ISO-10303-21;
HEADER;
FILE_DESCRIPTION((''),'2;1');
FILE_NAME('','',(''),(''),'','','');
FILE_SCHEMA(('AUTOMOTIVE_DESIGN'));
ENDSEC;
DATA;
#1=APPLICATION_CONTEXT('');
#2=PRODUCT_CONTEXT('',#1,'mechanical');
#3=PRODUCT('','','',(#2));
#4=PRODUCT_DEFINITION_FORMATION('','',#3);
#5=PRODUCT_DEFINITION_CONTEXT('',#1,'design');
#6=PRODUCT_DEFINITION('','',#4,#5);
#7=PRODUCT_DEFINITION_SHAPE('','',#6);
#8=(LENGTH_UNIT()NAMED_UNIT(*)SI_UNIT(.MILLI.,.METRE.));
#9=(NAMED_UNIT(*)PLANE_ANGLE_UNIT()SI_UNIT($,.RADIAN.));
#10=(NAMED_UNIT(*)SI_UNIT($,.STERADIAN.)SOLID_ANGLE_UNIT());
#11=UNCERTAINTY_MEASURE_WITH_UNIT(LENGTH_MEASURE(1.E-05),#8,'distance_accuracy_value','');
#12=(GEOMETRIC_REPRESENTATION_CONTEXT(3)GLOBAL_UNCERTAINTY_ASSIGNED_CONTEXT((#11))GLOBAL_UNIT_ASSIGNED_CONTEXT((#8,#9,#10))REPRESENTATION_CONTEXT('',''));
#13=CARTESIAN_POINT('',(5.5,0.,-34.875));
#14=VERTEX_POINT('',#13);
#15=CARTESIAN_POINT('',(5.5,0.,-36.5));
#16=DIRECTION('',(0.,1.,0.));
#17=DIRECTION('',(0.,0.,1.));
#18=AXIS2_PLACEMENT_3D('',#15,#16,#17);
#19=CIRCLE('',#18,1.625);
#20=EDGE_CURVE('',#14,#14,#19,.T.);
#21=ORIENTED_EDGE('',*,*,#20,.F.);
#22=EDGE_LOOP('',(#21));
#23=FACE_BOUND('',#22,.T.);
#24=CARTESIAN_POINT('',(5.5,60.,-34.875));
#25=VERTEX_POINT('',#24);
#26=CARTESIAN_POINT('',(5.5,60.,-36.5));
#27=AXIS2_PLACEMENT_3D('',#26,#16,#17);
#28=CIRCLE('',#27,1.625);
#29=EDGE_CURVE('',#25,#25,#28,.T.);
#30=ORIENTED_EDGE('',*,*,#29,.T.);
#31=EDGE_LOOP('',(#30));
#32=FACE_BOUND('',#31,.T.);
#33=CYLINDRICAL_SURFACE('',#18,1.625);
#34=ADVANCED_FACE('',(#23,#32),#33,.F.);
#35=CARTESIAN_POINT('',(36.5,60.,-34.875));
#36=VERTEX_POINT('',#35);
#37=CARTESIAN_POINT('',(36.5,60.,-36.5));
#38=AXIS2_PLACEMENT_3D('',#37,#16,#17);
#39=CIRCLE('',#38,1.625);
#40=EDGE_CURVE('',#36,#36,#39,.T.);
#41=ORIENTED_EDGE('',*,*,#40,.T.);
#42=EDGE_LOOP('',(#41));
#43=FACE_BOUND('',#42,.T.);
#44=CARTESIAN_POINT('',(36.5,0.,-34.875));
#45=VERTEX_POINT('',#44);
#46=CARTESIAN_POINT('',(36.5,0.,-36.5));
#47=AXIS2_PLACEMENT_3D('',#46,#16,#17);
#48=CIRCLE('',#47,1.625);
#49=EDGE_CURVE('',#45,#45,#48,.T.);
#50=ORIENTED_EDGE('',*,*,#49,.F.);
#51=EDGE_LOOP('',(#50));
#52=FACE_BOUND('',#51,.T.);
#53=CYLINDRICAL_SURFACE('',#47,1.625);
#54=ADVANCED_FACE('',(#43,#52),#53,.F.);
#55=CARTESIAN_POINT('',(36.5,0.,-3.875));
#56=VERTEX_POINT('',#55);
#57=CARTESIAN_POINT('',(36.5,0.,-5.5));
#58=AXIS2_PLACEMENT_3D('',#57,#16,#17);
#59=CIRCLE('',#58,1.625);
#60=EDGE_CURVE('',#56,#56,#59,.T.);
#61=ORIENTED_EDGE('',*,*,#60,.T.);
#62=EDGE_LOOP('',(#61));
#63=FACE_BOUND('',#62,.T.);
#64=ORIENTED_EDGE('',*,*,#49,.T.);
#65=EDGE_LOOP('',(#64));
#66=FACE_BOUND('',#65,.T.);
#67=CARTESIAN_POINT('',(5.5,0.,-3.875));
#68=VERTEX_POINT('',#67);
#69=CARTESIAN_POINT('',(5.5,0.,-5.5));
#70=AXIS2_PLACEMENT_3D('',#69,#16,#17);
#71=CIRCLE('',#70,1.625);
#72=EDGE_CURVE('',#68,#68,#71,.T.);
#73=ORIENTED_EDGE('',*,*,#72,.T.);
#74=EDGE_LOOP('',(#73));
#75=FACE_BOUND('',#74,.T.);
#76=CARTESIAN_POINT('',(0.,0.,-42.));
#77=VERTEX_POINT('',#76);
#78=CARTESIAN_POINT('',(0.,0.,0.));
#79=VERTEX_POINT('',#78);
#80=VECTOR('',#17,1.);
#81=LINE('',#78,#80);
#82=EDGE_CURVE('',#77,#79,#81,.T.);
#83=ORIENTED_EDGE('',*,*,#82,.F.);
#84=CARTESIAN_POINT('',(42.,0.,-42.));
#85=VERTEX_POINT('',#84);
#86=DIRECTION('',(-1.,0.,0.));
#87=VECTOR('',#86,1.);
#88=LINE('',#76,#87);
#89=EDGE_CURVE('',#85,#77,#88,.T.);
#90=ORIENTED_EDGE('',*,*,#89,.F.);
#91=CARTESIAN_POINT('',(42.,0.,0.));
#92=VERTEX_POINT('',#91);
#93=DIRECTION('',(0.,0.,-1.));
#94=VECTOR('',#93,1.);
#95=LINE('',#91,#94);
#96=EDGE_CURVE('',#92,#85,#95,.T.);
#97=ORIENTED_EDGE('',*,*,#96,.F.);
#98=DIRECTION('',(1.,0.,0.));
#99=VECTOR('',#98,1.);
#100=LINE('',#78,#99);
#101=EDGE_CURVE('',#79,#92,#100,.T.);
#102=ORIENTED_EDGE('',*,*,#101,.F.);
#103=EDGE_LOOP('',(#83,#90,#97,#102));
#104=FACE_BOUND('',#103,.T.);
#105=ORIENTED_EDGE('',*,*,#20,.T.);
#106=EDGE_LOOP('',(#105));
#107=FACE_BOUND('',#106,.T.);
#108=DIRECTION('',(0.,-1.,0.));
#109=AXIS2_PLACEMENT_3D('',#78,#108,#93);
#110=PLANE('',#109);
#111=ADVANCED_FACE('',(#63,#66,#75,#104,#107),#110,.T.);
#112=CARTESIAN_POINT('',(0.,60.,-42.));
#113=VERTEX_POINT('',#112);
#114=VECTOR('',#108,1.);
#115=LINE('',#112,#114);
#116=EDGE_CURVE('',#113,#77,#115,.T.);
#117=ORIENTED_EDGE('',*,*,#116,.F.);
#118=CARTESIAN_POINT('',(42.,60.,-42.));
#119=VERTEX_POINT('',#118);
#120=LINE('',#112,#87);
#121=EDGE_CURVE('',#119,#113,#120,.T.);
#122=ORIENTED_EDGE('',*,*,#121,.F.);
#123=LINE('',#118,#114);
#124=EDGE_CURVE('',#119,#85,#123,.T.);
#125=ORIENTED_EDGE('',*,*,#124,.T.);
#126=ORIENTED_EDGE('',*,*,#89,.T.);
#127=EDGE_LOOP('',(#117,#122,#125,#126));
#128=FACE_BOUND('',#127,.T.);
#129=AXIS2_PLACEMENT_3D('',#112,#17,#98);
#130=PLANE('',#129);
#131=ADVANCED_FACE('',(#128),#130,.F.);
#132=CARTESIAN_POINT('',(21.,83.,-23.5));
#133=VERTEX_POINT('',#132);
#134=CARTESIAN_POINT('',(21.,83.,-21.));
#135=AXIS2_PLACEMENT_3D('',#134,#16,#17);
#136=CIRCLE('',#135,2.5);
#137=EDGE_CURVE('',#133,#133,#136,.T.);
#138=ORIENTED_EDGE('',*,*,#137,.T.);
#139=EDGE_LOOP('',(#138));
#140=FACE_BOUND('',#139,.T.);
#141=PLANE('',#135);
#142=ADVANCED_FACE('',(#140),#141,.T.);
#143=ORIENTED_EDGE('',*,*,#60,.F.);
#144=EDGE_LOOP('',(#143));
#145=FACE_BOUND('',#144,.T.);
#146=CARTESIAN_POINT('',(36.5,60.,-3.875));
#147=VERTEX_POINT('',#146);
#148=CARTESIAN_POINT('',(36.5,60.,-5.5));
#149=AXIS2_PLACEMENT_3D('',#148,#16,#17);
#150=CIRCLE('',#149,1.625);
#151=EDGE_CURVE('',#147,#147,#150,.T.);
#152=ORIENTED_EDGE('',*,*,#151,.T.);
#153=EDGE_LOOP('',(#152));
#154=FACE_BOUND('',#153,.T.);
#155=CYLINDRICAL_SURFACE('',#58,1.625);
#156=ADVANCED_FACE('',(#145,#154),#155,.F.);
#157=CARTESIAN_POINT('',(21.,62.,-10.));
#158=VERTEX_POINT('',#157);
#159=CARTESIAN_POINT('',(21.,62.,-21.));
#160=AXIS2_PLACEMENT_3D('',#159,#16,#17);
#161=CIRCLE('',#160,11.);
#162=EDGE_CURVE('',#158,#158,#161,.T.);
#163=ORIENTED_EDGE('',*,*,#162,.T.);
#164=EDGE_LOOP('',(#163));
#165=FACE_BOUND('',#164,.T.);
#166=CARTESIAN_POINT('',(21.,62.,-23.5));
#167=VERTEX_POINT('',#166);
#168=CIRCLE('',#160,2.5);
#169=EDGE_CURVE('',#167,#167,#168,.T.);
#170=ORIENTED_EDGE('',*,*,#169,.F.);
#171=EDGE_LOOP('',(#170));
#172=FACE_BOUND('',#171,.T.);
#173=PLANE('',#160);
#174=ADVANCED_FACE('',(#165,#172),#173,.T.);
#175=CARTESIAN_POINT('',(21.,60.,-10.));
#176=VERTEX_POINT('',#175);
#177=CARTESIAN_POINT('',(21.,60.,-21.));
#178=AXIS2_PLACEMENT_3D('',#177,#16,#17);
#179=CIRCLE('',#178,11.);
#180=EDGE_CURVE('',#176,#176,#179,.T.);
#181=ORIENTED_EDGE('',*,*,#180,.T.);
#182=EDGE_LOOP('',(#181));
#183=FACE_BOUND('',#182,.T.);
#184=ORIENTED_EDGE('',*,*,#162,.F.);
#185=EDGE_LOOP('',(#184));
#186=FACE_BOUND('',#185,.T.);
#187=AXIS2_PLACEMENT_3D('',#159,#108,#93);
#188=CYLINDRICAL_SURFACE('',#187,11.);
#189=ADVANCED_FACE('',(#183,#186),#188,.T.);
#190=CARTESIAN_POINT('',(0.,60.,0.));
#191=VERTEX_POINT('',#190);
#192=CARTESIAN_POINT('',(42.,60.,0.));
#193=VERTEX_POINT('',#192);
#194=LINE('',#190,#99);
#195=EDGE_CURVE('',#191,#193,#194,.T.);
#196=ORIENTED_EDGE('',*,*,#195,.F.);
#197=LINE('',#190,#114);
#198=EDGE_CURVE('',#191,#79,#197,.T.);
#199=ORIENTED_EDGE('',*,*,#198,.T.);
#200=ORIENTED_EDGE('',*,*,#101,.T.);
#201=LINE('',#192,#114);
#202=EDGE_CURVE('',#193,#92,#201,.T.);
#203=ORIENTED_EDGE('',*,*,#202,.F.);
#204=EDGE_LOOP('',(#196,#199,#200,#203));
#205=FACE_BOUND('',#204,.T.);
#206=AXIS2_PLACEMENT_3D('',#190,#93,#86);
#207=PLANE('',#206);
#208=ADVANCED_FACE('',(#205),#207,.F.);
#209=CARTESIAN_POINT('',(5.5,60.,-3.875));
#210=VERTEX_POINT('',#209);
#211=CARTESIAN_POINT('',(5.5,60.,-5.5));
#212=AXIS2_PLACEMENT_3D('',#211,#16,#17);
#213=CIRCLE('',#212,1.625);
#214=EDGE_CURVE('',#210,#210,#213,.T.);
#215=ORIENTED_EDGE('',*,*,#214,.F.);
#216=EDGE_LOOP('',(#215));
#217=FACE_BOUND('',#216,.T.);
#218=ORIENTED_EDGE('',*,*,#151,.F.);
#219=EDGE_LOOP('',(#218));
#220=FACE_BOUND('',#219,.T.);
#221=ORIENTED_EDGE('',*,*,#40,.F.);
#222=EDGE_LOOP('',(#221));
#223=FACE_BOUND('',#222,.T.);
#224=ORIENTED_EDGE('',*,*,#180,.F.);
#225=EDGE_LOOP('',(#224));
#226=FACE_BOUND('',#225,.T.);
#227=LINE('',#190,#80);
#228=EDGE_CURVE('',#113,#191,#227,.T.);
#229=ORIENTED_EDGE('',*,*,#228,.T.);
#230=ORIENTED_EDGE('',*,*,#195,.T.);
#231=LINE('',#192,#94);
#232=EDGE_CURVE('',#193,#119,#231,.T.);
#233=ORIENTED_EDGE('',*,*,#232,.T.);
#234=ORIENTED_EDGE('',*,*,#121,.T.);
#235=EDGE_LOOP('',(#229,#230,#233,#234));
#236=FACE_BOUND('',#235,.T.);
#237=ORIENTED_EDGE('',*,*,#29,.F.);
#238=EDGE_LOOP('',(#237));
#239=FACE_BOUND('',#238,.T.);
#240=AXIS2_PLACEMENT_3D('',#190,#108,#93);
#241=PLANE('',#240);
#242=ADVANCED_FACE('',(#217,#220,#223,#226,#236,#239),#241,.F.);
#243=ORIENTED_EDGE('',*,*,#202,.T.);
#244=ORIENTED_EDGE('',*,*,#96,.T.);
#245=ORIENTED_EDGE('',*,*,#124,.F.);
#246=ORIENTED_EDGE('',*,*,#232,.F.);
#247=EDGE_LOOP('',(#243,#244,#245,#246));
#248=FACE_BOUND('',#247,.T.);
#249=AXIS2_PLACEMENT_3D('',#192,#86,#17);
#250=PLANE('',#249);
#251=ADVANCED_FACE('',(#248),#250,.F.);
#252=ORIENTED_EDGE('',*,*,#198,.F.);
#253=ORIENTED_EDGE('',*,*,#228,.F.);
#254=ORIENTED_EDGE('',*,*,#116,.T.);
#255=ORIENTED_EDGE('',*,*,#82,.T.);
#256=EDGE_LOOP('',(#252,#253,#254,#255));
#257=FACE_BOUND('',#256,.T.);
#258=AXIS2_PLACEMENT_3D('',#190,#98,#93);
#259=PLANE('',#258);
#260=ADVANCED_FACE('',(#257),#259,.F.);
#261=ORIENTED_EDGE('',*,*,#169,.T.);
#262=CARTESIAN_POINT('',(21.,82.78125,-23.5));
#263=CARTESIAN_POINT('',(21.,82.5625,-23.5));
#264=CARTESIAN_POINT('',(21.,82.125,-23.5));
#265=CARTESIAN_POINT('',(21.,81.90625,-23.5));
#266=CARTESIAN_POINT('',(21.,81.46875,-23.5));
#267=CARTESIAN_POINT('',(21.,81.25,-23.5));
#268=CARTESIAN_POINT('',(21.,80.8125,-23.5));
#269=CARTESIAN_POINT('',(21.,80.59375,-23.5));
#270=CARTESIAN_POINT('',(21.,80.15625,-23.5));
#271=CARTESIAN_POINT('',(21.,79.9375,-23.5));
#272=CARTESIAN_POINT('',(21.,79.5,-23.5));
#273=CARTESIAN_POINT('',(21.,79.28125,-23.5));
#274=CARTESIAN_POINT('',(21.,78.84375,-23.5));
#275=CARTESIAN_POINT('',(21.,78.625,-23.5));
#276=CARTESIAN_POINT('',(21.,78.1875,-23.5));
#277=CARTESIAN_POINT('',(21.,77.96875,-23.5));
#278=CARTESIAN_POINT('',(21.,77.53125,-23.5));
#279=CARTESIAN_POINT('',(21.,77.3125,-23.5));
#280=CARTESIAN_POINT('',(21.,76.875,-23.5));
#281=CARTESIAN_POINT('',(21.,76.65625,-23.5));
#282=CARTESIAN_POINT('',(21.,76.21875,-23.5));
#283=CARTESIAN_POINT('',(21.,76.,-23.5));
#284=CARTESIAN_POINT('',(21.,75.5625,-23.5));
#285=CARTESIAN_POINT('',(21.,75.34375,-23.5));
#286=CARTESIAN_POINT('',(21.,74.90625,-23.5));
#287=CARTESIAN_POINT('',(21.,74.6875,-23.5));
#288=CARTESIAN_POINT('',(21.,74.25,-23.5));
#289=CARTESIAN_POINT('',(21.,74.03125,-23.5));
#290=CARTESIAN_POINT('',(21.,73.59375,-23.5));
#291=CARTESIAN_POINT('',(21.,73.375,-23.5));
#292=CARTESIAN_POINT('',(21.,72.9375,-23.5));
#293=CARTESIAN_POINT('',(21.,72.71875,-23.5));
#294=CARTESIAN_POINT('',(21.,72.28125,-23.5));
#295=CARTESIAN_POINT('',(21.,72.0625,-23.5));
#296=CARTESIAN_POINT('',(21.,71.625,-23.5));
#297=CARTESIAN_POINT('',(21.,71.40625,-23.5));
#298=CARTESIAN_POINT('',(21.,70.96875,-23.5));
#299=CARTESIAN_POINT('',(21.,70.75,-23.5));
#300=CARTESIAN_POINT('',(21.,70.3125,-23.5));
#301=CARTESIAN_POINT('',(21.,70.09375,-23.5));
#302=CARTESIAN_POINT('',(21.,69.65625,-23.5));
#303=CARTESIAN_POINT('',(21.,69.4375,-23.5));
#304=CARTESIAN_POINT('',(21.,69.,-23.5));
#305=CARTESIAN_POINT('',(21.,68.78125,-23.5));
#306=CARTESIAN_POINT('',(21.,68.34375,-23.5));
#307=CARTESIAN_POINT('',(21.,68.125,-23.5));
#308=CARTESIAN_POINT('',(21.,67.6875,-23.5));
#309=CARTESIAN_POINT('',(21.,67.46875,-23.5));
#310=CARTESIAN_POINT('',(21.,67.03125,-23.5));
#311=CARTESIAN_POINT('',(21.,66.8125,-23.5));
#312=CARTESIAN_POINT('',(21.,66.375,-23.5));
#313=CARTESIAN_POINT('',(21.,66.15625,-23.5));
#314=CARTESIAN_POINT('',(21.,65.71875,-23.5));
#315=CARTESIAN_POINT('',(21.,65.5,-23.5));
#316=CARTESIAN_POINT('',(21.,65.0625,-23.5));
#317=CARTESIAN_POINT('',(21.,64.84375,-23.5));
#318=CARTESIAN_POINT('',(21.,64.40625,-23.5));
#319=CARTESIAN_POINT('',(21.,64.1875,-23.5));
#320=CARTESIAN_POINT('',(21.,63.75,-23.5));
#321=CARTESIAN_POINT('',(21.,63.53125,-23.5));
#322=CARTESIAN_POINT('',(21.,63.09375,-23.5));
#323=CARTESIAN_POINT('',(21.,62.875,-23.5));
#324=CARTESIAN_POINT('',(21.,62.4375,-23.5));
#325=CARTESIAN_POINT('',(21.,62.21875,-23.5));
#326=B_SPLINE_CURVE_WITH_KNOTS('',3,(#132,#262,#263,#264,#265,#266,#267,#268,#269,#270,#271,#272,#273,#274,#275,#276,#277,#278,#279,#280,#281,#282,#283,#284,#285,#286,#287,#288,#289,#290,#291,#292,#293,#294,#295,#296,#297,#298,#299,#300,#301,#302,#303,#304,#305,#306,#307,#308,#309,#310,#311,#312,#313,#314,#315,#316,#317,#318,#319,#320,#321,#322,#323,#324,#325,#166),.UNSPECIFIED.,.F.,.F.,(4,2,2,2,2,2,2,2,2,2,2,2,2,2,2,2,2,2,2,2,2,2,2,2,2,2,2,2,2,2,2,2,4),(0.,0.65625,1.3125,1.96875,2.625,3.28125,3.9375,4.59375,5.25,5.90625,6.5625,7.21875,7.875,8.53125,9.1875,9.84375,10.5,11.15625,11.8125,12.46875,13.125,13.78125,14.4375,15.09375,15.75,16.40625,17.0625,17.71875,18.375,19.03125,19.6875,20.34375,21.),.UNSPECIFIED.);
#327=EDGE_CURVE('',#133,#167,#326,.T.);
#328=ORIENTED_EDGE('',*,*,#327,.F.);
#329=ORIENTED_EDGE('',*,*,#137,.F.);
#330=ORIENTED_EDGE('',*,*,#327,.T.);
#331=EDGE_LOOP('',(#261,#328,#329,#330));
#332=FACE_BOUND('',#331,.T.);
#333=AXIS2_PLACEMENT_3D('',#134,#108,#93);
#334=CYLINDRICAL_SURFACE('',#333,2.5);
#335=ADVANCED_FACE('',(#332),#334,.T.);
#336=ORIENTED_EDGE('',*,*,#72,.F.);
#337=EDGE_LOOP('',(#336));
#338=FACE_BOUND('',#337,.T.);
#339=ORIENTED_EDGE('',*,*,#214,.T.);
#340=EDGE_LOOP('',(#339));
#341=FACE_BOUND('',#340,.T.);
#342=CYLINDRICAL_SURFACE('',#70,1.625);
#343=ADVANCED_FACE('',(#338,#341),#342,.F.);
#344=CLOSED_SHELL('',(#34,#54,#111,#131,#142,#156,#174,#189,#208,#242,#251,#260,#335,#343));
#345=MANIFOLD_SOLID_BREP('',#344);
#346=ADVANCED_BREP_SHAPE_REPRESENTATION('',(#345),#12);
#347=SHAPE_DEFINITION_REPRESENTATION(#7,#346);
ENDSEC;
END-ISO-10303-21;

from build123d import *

# Parameters (mm, degrees)
SKETCH_1_W          = 42
SKETCH_1_H          = 42
EXTRUDE_1_DEPTH     = 60
SKETCH_2_R          = 11
EXTRUDE_2_DEPTH     = 2
SKETCH_3_R          = 2.5
EXTRUDE_3_DEPTH     = 21
SKETCH_4_R          = 1.625
CUT_EXTRUDE_1_DEPTH = 85.427483677


with BuildPart() as part:
    # 草图1 → 凸台-拉伸1 (new body)
    with BuildSketch(Plane(origin=(0, 0, 0), x_dir=(1, 0, 0), z_dir=(0, 1, 0))):
        with Locations((21, 21)):
            Rectangle(SKETCH_1_W, SKETCH_1_H)
    extrude(amount=EXTRUDE_1_DEPTH)

    # 草图2 → 凸台-拉伸2 (add)
    with BuildSketch(Plane(origin=(0, 60, 0), x_dir=(1, 0, 0), z_dir=(0, 1, 0))):
        with Locations(Location((21, 21, 0), (0, 0, 270))):
            Circle(SKETCH_2_R)
    extrude(amount=EXTRUDE_2_DEPTH)

    # 草图3 → 凸台-拉伸3 (add)
    with BuildSketch(Plane(origin=(0, 62, 0), x_dir=(1, 0, 0), z_dir=(0, 1, 0))):
        with Locations(Location((21, 21, 0), (0, 0, 90))):
            Circle(SKETCH_3_R)
    extrude(amount=EXTRUDE_3_DEPTH)

    # 草图4 → 切除-拉伸1 (cut, through all)
    with BuildSketch(Plane(origin=(0, 60, 0), x_dir=(1, 0, 0), z_dir=(0, 1, 0))):
        with Locations(Location((5.5, 36.5, 0), (0, 0, 270))):
            Circle(SKETCH_4_R)
        with Locations(Location((36.5, 36.5, 0), (0, 0, 270))):
            Circle(SKETCH_4_R)
        with Locations(Location((36.5, 5.5, 0), (0, 0, 270))):
            Circle(SKETCH_4_R)
        with Locations(Location((5.5, 5.5, 0), (0, 0, 270))):
            Circle(SKETCH_4_R)
    extrude(amount=-CUT_EXTRUDE_1_DEPTH, mode=Mode.SUBTRACT)


solid = part.part
